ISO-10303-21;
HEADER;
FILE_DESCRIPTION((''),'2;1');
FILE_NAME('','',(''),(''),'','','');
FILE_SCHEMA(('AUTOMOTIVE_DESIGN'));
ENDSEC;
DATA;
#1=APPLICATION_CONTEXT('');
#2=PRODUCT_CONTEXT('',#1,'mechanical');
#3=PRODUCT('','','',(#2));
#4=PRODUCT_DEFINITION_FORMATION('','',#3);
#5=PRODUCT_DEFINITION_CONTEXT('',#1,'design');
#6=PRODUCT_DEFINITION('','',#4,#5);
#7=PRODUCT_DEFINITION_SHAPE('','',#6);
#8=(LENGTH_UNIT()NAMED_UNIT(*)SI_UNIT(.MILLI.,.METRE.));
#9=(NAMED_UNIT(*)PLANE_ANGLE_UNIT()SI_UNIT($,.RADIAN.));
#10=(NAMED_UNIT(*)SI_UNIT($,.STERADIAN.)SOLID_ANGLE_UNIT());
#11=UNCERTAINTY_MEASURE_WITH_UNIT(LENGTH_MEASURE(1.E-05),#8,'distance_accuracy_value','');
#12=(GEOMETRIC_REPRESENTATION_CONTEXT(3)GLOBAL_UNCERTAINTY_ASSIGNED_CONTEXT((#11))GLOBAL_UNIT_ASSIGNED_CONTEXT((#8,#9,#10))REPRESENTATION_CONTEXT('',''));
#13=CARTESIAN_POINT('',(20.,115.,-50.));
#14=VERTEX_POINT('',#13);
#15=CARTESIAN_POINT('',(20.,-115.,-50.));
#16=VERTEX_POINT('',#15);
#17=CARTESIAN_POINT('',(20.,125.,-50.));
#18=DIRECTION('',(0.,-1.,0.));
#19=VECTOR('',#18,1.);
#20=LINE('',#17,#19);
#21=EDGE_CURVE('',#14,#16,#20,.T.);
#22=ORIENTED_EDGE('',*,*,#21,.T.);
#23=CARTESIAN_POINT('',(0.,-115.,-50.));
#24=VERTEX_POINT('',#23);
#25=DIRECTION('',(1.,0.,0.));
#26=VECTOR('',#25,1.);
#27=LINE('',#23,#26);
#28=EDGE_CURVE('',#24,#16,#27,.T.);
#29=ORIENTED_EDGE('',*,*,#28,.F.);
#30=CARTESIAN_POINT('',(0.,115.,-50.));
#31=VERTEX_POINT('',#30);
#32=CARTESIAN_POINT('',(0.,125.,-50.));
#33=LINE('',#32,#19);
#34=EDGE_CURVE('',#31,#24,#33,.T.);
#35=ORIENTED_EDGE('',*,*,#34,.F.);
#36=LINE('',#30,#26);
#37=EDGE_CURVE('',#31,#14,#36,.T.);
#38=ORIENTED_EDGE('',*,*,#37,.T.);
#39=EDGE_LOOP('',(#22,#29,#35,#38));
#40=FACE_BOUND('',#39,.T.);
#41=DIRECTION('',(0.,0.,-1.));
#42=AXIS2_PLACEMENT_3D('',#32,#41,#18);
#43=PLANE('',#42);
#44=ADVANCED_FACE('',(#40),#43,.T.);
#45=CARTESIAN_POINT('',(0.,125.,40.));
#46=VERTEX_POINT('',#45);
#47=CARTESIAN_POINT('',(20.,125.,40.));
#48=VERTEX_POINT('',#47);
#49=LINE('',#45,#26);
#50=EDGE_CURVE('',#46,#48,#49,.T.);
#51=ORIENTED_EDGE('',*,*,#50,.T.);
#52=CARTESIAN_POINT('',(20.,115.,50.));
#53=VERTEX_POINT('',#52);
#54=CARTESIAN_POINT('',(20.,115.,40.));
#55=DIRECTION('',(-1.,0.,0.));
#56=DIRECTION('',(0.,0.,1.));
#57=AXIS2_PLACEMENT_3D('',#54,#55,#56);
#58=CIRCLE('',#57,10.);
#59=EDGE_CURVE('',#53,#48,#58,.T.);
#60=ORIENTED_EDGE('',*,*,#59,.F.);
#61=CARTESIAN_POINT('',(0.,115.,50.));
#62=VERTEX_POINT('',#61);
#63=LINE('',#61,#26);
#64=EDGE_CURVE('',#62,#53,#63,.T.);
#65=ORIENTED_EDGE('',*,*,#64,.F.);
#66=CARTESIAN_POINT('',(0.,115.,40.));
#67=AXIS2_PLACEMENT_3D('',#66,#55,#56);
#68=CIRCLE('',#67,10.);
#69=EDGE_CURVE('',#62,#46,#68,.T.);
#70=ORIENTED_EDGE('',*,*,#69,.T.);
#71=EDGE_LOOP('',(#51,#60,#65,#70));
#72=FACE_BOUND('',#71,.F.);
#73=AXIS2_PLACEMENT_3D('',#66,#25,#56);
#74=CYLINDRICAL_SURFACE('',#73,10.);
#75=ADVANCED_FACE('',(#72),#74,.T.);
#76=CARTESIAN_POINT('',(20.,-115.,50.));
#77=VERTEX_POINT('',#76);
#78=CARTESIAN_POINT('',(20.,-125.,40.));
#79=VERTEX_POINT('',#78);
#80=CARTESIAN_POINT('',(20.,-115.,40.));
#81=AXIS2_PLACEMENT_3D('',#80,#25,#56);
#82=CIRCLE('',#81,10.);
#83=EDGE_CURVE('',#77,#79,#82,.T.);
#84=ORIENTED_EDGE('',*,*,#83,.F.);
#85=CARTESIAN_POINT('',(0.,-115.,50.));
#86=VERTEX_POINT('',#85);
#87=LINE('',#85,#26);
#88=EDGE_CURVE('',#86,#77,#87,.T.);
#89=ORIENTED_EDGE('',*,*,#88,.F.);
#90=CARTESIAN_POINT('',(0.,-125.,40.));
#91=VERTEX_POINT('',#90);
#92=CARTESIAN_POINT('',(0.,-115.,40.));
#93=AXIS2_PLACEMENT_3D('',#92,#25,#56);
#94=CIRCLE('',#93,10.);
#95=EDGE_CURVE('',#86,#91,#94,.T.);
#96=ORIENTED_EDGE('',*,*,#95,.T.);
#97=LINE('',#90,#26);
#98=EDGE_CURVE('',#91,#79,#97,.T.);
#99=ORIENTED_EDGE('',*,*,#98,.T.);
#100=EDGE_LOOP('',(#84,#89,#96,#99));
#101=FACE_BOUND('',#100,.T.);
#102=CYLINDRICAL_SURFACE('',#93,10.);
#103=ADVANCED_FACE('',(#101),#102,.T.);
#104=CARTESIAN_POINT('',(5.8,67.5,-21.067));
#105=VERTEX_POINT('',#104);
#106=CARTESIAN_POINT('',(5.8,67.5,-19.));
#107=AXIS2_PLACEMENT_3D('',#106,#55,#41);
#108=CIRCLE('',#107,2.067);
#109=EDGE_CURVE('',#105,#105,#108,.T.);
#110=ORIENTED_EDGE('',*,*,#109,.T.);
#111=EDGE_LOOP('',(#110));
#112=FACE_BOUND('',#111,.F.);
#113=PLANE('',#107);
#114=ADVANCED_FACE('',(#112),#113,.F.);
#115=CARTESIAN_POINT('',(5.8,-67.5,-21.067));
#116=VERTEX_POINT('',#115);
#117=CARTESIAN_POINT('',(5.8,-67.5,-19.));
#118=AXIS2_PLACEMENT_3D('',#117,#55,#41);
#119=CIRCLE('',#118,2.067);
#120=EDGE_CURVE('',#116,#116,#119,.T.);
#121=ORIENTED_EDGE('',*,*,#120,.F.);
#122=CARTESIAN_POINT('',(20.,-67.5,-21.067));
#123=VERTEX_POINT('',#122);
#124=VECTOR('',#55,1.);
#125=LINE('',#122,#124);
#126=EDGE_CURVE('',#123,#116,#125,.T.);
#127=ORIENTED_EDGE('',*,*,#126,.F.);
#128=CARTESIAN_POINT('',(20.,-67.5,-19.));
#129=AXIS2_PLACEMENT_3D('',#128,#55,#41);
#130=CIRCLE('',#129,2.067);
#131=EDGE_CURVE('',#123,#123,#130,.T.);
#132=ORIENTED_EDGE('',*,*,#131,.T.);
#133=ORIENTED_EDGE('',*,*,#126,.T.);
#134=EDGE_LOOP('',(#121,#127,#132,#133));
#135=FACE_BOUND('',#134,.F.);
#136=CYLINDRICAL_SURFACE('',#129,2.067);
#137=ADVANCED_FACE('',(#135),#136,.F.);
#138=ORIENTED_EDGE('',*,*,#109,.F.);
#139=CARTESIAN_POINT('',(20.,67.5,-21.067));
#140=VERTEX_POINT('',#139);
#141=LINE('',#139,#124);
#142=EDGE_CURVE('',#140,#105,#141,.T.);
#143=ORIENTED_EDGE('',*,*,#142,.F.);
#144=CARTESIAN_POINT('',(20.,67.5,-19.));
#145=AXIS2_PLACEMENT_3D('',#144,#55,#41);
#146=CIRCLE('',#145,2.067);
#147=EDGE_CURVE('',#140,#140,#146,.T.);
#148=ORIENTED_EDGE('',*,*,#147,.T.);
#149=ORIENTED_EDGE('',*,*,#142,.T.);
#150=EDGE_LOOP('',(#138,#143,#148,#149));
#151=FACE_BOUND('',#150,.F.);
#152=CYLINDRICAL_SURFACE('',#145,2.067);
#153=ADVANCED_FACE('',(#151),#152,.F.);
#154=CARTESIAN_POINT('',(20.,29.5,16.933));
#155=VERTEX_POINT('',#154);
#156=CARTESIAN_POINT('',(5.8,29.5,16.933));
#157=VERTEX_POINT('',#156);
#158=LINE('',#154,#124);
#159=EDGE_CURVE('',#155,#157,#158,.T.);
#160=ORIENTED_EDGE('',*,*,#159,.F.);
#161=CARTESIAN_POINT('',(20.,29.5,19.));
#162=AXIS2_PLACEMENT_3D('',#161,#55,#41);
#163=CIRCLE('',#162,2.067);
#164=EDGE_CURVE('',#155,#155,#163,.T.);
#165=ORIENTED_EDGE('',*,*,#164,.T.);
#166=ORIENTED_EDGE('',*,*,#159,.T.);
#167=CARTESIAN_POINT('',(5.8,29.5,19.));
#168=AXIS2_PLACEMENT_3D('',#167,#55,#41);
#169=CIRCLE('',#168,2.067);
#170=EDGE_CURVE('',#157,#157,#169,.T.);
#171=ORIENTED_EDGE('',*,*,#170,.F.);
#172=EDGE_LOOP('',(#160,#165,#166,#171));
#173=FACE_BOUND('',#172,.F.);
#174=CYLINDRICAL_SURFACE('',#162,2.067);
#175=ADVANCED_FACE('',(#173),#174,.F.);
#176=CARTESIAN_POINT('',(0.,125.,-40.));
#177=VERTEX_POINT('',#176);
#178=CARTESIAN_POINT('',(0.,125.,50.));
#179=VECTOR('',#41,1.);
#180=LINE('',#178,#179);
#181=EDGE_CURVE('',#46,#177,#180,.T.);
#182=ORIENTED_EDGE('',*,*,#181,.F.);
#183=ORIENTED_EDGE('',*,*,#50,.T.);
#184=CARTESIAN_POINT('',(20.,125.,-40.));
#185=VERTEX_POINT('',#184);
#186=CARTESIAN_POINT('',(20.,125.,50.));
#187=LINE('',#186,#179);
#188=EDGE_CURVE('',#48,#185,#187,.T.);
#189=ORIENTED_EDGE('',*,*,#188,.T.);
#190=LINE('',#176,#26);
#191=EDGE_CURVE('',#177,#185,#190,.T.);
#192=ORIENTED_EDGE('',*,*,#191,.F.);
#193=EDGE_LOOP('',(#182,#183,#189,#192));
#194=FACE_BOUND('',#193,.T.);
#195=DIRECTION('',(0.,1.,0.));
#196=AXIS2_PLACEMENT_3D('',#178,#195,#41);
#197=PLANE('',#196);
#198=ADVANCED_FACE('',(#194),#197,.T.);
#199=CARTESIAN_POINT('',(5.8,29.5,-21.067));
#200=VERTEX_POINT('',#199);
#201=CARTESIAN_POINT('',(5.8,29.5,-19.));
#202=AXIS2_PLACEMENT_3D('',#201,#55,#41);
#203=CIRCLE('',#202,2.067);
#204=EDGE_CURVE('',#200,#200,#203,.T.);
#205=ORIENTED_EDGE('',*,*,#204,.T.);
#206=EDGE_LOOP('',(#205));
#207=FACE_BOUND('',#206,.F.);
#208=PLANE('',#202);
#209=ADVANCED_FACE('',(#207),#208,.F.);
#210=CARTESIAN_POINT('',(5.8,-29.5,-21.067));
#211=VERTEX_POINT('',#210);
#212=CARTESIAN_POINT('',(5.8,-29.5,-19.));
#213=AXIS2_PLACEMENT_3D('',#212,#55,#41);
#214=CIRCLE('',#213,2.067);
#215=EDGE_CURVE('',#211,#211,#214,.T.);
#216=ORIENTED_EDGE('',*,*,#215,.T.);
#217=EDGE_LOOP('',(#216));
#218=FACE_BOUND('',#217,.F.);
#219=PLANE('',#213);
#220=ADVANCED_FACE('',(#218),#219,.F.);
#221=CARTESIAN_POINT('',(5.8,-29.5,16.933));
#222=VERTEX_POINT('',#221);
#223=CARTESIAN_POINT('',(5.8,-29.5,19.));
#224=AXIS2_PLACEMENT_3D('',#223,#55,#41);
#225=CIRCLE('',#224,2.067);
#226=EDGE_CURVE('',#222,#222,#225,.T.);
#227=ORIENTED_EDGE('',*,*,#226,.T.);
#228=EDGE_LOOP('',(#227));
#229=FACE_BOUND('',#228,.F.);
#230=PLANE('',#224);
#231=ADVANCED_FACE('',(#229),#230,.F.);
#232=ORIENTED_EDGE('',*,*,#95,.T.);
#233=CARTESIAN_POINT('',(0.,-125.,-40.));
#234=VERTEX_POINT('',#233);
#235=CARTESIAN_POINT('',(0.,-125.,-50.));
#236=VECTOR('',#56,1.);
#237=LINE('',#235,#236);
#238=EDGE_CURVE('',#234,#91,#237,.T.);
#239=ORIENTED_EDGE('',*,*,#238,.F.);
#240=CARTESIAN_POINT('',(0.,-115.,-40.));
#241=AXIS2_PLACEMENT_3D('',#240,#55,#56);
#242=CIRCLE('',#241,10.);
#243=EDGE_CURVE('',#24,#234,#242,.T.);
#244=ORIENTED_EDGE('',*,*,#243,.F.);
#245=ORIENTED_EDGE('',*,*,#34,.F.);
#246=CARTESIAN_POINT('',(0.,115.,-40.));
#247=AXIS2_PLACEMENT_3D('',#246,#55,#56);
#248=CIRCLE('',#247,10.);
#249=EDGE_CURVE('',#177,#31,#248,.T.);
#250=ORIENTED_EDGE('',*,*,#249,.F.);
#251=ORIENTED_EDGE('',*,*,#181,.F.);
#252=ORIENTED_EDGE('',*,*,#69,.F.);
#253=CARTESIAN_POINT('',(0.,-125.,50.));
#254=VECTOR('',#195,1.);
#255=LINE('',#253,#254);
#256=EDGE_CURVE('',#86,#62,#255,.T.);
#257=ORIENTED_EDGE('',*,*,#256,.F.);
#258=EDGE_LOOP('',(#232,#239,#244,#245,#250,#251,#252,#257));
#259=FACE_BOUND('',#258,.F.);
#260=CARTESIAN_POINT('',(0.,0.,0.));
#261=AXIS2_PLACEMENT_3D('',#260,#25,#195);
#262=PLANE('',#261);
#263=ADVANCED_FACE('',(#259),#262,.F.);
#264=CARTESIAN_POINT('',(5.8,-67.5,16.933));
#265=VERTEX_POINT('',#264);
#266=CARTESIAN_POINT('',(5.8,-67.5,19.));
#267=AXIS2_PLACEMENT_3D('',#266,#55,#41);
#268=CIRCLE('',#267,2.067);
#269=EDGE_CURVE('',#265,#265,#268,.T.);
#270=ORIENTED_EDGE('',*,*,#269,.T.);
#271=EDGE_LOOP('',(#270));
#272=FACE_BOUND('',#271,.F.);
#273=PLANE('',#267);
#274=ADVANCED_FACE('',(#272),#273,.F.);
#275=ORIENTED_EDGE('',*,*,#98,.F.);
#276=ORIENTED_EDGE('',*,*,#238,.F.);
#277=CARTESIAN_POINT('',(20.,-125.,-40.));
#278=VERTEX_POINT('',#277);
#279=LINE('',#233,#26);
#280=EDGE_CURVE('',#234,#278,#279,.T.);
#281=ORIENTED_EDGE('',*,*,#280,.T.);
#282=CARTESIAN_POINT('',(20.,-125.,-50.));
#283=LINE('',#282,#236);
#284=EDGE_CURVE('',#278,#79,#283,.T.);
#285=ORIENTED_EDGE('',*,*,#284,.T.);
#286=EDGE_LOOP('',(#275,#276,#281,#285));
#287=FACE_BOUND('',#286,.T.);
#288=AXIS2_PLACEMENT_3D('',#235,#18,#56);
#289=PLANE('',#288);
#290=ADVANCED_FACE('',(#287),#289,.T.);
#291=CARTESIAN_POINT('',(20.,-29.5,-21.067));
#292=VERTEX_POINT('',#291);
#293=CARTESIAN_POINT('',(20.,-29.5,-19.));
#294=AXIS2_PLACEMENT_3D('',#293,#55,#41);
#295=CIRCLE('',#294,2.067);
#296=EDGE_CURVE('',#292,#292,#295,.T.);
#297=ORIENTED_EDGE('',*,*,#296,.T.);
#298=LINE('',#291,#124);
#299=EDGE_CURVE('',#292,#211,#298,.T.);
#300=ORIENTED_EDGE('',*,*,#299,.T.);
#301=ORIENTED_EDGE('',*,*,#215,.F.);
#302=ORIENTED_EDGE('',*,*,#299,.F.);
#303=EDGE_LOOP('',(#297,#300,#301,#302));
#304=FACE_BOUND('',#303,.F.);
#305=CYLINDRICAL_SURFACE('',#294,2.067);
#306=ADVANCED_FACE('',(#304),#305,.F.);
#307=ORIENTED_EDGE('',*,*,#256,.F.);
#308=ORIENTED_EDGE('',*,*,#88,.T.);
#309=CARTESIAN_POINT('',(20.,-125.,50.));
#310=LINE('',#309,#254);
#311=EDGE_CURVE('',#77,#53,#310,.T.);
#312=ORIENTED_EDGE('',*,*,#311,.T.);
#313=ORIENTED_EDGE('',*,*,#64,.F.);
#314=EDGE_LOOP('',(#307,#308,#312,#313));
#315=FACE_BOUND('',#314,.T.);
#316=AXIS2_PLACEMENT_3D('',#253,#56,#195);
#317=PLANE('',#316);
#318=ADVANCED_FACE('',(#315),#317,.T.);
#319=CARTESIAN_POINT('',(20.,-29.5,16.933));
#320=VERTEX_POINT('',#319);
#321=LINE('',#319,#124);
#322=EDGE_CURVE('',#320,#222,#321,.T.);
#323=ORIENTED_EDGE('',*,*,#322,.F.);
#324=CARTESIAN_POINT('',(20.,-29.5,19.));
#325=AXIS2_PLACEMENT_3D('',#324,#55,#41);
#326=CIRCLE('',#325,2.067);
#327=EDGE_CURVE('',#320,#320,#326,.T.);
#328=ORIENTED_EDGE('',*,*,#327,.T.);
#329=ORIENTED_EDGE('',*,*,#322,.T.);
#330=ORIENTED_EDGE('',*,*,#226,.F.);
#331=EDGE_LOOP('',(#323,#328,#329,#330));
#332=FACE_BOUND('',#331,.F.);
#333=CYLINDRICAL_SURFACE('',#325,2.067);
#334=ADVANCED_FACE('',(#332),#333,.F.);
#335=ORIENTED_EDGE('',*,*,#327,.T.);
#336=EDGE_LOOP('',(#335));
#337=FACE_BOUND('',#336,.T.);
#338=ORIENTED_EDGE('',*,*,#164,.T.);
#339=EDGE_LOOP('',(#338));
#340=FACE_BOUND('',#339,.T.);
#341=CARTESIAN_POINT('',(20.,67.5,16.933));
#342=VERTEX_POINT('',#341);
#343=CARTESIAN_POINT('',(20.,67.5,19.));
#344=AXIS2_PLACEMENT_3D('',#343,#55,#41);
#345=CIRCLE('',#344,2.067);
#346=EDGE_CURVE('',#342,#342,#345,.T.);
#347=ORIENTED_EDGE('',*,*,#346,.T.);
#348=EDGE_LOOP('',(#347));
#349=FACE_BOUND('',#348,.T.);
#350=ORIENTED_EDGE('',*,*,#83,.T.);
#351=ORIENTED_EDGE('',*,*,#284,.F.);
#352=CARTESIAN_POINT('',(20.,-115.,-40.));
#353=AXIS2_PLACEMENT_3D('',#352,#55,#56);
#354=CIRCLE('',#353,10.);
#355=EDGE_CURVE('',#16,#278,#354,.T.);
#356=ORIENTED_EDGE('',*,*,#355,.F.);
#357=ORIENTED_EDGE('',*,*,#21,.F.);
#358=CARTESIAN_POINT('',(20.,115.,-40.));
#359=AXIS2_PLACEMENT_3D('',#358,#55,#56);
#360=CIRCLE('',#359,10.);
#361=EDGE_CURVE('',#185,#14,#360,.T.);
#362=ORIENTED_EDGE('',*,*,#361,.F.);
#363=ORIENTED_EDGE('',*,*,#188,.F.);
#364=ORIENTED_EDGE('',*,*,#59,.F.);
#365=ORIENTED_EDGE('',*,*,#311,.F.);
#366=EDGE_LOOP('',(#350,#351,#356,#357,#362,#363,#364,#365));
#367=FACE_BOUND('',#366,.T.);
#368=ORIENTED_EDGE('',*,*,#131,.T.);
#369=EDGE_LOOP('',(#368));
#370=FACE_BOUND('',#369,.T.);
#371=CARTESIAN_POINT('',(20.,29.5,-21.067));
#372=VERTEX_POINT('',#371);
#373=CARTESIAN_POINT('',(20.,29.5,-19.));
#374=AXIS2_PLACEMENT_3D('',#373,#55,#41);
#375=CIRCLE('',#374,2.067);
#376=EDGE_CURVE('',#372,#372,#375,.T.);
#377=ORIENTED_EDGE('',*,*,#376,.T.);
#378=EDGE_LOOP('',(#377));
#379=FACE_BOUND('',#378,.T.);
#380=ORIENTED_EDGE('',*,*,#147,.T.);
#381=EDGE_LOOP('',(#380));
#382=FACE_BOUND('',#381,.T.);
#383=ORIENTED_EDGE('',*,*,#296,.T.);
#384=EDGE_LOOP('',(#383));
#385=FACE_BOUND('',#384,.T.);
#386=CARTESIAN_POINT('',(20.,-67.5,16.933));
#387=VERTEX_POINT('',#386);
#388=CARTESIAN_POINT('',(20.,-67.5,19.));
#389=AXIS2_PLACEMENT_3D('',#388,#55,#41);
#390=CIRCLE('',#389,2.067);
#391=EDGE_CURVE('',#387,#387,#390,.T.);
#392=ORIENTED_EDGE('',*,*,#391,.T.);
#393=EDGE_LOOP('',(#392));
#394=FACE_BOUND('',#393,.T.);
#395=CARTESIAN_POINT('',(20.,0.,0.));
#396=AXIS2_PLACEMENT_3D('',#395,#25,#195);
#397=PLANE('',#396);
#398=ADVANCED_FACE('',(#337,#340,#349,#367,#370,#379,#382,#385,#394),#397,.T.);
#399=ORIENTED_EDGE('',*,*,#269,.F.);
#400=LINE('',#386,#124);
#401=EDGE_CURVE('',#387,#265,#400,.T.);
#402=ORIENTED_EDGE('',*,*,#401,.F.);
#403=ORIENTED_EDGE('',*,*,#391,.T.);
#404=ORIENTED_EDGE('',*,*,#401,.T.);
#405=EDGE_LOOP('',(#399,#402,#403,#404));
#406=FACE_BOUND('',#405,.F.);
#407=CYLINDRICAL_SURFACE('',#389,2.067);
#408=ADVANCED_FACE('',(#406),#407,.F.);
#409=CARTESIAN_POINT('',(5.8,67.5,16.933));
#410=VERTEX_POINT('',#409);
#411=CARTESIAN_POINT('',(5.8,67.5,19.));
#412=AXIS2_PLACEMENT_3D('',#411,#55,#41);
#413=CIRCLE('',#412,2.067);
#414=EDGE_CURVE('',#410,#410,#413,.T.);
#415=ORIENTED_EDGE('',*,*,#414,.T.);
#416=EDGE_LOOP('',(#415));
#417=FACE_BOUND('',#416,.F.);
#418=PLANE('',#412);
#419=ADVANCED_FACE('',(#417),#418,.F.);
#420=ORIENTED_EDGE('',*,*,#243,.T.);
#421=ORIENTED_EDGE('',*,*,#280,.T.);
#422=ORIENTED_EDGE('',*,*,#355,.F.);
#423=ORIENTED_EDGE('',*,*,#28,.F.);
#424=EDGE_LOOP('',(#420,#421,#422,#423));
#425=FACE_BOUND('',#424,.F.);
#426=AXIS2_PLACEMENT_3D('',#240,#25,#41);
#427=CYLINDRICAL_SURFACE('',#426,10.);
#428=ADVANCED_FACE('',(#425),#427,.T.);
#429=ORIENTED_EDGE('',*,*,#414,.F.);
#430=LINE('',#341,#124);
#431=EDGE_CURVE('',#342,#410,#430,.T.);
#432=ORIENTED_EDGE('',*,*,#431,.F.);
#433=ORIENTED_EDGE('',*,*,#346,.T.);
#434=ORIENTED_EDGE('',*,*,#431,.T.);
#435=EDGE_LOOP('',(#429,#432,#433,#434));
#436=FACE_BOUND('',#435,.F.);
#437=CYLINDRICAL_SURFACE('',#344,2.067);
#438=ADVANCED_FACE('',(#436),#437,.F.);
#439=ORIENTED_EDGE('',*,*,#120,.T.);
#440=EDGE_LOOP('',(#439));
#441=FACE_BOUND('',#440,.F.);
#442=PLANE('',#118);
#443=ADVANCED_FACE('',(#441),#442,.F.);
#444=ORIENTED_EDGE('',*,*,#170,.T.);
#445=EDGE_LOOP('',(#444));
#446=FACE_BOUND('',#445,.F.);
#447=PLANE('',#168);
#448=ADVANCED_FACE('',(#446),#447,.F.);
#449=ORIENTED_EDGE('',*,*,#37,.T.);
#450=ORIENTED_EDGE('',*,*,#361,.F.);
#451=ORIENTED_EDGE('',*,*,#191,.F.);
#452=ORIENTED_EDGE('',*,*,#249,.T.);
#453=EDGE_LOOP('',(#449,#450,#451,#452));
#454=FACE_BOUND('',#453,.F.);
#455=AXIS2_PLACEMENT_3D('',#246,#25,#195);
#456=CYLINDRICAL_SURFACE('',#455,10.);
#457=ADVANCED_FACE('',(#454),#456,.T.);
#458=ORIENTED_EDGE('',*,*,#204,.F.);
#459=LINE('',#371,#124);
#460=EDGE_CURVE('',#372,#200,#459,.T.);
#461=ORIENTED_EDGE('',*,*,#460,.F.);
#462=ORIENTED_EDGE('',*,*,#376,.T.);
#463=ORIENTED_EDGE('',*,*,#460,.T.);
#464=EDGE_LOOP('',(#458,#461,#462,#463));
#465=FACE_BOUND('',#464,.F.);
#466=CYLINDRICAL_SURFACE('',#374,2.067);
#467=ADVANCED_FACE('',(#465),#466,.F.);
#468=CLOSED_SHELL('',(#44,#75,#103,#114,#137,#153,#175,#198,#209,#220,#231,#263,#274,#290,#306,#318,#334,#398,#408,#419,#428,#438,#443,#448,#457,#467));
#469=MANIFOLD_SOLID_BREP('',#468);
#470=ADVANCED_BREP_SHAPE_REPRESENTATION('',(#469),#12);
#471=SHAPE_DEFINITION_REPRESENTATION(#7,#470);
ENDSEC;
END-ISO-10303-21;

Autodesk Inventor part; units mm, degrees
ref_plane "YZ Plane" through (0, 0, 0) normal (1, 0, 0) x (0, 1, 0)
ref_plane "XZ Plane" through (0, 0, 0) normal (0, 1, 0) x (-1, 0, 0)
ref_plane "XY Plane" through (0, 0, 0) normal (0, 0, 1) x (1, 0, 0)
sketch "Skizze1" plane through (0, 0, 0) normal (1, 0, 0) x (0, 1, 0)
  line L0 (-125, 50) -> (125, 50)
  line L1 (125, 50) -> (125, -50)
  line L2 (125, -50) -> (-125, -50)
  line L3 (-125, -50) -> (-125, 50)
  line L4 (-125, 50) -> (125, -50) construction
  line L5 (125, 50) -> (-125, -50) construction
  point P0 (0, 0)
  dimension "d0" = 250
  dimension "d1" = 100
extrude "Extrusion1" add sketch "Skizze1" along normal blind 20
sketch "Skizze2" plane through (20, 0, 0) normal (1, 0, 0) x (0, 0, -1)
  line L0 (25, -23.5) -> (-25, -23.5)
  line L1 (-25, -23.5) -> (-25, -73.5)
  line L2 (-25, -73.5) -> (25, -73.5)
  line L3 (25, -73.5) -> (25, -23.5)
  line L4 (25, -23.5) -> (-25, -73.5) construction
  line L5 (-25, -23.5) -> (25, -73.5) construction
  line L6 (25, 73.5) -> (-25, 73.5)
  line L7 (-25, 73.5) -> (-25, 23.5)
  line L8 (-25, 23.5) -> (25, 23.5)
  line L9 (25, 23.5) -> (25, 73.5)
  line L10 (25, 73.5) -> (-25, 23.5) construction
  line L11 (-25, 73.5) -> (25, 23.5) construction
  point P0 (0, 0)
  point P1 (0, -48.5)
  point P2 (0, 48.5)
  point P3 (-19, -67.5)
  point P4 (-19, -29.5)
  point P5 (19, -29.5)
  point P6 (19, -67.5)
  point P7 (19, 29.5)
  point P8 (19, 67.5)
  point P9 (-19, 67.5)
  point P10 (-19, 29.5)
  dimension "d4" = 50
  dimension "d5" = 50
  dimension "d6" = 50
  dimension "d7" = 50
  dimension "d8" = 97
  dimension "d10" = 48.5
  dimension "d11" = 0
  dimension "d13" = 6
  dimension "d14" = 6
  dimension "d15" = 6
  dimension "d16" = 6
  dimension "d17" = 6
  dimension "d18" = 6
  dimension "d19" = 6
  dimension "d20" = 6
fillet "Rundung1" radius 10 4 edges at (10, -125, 50) (10, -125, -50) (10, 125, -50) (10, 125, 50)
hole "Bohrung1" at (20, -67.5, 19) at (20, -29.5, 19) at (20, -29.5, -19) at (20, -67.5, -19) at (20, 29.5, -19) at (20, 67.5, -19) at (20, 67.5, 19) at (20, 29.5, 19) direction (-1, 0, 0) diameter 4.134 depth 14.2 thread size "M5x0.8" class "6H" standard "ANSI Metric M Profile"
equation "\"d22\" = d19"
properties part number "Gehäuse festigung platte" material "Aluminium 6061"
